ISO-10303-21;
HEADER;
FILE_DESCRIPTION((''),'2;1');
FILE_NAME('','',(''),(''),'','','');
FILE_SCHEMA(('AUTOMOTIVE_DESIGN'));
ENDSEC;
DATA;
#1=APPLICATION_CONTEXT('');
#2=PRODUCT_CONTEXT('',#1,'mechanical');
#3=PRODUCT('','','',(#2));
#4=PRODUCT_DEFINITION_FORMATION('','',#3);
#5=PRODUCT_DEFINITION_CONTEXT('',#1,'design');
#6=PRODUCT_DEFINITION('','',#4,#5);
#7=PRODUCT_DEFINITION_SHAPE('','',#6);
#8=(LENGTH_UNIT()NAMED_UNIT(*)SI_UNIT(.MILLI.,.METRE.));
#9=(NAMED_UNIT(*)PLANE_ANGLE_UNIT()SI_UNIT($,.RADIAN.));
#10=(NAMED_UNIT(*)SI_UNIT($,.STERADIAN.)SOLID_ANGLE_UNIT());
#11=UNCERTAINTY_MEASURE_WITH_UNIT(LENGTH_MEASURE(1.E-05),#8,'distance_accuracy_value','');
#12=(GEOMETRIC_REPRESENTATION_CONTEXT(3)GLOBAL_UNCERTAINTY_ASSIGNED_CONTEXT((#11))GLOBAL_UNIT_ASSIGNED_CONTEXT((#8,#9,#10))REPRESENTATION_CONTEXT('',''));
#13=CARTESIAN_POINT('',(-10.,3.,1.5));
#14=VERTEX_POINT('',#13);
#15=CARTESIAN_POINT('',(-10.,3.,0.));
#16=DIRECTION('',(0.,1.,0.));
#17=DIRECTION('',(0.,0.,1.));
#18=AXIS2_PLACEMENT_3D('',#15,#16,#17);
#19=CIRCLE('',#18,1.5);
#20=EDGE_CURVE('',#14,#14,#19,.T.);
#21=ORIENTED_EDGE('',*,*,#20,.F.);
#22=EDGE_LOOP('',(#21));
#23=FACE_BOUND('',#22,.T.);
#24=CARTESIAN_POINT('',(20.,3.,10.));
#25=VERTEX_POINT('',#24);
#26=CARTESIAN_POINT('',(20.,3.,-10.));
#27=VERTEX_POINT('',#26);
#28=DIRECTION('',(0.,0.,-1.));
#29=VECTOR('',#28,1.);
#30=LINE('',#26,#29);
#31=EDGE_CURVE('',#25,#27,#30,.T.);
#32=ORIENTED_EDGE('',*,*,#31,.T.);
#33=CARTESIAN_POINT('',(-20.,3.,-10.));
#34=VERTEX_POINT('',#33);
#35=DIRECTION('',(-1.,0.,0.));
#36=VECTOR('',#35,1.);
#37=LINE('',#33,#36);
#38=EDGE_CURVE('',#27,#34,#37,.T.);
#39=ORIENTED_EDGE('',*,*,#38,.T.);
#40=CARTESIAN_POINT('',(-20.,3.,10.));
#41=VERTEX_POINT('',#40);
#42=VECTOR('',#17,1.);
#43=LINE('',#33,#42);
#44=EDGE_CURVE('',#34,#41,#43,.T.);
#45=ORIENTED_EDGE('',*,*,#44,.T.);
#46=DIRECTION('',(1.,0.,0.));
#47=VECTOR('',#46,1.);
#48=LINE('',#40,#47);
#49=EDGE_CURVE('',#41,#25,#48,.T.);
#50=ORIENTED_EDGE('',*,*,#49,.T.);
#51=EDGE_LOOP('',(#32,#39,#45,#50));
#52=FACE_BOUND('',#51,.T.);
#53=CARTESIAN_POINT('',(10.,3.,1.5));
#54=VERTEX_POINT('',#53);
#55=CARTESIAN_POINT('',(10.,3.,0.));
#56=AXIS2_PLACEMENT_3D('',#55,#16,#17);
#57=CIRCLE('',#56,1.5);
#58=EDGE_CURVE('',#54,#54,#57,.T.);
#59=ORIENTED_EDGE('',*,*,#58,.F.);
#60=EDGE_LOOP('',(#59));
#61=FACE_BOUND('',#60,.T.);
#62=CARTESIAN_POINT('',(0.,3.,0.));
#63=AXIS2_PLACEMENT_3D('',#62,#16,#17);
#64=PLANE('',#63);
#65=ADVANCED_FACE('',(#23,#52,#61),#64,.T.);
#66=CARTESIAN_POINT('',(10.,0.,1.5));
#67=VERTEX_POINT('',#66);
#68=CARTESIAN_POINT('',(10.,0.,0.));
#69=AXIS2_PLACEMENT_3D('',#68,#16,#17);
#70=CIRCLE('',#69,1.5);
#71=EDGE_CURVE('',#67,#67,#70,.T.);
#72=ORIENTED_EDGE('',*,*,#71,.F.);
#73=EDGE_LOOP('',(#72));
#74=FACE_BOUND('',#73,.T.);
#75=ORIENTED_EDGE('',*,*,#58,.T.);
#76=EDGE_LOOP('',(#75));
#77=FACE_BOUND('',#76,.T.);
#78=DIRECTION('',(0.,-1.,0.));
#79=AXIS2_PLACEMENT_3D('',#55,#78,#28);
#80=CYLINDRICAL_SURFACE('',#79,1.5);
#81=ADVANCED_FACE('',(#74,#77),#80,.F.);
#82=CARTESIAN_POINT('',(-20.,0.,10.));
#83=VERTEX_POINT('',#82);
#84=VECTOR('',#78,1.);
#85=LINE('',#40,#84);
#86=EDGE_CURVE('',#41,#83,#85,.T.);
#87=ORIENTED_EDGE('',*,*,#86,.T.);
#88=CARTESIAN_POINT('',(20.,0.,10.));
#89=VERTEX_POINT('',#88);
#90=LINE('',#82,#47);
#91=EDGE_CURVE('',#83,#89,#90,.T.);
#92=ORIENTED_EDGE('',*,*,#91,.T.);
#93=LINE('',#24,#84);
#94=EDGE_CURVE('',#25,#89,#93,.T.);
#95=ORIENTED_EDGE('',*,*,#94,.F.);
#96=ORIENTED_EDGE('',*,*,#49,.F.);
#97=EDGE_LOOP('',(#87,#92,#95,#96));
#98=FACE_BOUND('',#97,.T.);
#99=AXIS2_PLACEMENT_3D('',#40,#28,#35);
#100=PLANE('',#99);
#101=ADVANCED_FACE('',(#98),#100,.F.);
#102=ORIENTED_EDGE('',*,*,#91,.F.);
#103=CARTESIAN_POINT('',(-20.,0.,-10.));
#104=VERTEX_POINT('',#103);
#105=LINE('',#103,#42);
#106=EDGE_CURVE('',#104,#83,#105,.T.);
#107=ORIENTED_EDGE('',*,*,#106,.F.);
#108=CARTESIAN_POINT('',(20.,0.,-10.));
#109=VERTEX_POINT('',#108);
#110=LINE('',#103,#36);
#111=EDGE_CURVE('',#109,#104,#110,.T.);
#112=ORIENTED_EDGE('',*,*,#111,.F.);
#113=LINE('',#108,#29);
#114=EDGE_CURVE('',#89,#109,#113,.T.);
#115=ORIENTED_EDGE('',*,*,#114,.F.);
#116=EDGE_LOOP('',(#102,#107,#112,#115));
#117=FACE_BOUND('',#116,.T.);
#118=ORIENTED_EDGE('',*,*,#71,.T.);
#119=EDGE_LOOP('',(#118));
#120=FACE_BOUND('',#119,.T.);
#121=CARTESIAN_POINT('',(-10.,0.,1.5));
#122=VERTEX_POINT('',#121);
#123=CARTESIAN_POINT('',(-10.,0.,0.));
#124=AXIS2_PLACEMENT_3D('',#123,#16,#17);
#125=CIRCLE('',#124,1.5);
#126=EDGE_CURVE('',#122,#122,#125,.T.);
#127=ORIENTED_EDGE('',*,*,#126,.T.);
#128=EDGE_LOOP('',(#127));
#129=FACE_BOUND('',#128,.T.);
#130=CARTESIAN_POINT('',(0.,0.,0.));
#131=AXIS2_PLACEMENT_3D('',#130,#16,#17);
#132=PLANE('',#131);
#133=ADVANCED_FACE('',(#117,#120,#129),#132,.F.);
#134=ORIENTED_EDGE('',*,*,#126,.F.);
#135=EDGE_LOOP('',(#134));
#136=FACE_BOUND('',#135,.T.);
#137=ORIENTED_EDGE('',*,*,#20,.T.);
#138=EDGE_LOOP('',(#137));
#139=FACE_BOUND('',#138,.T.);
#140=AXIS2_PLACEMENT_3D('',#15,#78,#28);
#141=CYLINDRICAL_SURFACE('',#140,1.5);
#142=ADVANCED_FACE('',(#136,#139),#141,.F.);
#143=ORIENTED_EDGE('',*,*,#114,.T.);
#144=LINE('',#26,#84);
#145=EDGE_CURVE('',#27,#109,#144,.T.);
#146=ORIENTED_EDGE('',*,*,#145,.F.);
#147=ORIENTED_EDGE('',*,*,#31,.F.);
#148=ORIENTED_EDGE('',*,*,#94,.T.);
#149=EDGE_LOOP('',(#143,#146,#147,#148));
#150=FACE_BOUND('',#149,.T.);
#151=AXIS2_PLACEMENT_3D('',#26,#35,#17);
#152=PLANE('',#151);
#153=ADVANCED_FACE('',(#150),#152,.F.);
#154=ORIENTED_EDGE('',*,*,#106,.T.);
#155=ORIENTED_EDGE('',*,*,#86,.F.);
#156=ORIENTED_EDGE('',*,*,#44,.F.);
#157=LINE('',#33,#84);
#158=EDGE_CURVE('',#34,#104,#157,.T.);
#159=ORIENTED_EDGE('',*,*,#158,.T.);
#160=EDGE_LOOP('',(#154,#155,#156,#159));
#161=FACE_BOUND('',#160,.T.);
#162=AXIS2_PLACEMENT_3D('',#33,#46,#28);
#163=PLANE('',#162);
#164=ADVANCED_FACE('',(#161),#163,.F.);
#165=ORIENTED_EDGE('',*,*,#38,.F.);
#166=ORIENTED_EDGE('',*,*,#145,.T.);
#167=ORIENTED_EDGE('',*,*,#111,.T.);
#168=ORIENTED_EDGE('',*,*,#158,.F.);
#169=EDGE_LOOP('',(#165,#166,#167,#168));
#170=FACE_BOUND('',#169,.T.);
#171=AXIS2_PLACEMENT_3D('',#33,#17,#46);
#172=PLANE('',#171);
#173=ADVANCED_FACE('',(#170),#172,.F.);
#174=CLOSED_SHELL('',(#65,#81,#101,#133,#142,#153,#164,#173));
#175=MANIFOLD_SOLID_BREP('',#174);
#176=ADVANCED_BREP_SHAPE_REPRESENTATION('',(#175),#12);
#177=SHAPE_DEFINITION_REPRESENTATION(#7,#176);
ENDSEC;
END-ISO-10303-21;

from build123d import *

# Parameters (mm, degrees)
SKETCH_1_W      = 40
SKETCH_1_H      = 20
SKETCH_1_R      = 1.5
EXTRUDE_1_DEPTH = 3


with BuildPart() as part:
    # 草图1 → 凸台-拉伸1 (new body)
    with BuildSketch(Plane(origin=(0, 0, 0), x_dir=(1, 0, 0), z_dir=(0, 1, 0))):
        Rectangle(SKETCH_1_W, SKETCH_1_H)
        with Locations(Location((-10, 0, 0), (0, 0, 270))):
            Circle(SKETCH_1_R, mode=Mode.SUBTRACT)
        with Locations(Location((10, 0, 0), (0, 0, 270))):
            Circle(SKETCH_1_R, mode=Mode.SUBTRACT)
    extrude(amount=EXTRUDE_1_DEPTH)


solid = part.part
